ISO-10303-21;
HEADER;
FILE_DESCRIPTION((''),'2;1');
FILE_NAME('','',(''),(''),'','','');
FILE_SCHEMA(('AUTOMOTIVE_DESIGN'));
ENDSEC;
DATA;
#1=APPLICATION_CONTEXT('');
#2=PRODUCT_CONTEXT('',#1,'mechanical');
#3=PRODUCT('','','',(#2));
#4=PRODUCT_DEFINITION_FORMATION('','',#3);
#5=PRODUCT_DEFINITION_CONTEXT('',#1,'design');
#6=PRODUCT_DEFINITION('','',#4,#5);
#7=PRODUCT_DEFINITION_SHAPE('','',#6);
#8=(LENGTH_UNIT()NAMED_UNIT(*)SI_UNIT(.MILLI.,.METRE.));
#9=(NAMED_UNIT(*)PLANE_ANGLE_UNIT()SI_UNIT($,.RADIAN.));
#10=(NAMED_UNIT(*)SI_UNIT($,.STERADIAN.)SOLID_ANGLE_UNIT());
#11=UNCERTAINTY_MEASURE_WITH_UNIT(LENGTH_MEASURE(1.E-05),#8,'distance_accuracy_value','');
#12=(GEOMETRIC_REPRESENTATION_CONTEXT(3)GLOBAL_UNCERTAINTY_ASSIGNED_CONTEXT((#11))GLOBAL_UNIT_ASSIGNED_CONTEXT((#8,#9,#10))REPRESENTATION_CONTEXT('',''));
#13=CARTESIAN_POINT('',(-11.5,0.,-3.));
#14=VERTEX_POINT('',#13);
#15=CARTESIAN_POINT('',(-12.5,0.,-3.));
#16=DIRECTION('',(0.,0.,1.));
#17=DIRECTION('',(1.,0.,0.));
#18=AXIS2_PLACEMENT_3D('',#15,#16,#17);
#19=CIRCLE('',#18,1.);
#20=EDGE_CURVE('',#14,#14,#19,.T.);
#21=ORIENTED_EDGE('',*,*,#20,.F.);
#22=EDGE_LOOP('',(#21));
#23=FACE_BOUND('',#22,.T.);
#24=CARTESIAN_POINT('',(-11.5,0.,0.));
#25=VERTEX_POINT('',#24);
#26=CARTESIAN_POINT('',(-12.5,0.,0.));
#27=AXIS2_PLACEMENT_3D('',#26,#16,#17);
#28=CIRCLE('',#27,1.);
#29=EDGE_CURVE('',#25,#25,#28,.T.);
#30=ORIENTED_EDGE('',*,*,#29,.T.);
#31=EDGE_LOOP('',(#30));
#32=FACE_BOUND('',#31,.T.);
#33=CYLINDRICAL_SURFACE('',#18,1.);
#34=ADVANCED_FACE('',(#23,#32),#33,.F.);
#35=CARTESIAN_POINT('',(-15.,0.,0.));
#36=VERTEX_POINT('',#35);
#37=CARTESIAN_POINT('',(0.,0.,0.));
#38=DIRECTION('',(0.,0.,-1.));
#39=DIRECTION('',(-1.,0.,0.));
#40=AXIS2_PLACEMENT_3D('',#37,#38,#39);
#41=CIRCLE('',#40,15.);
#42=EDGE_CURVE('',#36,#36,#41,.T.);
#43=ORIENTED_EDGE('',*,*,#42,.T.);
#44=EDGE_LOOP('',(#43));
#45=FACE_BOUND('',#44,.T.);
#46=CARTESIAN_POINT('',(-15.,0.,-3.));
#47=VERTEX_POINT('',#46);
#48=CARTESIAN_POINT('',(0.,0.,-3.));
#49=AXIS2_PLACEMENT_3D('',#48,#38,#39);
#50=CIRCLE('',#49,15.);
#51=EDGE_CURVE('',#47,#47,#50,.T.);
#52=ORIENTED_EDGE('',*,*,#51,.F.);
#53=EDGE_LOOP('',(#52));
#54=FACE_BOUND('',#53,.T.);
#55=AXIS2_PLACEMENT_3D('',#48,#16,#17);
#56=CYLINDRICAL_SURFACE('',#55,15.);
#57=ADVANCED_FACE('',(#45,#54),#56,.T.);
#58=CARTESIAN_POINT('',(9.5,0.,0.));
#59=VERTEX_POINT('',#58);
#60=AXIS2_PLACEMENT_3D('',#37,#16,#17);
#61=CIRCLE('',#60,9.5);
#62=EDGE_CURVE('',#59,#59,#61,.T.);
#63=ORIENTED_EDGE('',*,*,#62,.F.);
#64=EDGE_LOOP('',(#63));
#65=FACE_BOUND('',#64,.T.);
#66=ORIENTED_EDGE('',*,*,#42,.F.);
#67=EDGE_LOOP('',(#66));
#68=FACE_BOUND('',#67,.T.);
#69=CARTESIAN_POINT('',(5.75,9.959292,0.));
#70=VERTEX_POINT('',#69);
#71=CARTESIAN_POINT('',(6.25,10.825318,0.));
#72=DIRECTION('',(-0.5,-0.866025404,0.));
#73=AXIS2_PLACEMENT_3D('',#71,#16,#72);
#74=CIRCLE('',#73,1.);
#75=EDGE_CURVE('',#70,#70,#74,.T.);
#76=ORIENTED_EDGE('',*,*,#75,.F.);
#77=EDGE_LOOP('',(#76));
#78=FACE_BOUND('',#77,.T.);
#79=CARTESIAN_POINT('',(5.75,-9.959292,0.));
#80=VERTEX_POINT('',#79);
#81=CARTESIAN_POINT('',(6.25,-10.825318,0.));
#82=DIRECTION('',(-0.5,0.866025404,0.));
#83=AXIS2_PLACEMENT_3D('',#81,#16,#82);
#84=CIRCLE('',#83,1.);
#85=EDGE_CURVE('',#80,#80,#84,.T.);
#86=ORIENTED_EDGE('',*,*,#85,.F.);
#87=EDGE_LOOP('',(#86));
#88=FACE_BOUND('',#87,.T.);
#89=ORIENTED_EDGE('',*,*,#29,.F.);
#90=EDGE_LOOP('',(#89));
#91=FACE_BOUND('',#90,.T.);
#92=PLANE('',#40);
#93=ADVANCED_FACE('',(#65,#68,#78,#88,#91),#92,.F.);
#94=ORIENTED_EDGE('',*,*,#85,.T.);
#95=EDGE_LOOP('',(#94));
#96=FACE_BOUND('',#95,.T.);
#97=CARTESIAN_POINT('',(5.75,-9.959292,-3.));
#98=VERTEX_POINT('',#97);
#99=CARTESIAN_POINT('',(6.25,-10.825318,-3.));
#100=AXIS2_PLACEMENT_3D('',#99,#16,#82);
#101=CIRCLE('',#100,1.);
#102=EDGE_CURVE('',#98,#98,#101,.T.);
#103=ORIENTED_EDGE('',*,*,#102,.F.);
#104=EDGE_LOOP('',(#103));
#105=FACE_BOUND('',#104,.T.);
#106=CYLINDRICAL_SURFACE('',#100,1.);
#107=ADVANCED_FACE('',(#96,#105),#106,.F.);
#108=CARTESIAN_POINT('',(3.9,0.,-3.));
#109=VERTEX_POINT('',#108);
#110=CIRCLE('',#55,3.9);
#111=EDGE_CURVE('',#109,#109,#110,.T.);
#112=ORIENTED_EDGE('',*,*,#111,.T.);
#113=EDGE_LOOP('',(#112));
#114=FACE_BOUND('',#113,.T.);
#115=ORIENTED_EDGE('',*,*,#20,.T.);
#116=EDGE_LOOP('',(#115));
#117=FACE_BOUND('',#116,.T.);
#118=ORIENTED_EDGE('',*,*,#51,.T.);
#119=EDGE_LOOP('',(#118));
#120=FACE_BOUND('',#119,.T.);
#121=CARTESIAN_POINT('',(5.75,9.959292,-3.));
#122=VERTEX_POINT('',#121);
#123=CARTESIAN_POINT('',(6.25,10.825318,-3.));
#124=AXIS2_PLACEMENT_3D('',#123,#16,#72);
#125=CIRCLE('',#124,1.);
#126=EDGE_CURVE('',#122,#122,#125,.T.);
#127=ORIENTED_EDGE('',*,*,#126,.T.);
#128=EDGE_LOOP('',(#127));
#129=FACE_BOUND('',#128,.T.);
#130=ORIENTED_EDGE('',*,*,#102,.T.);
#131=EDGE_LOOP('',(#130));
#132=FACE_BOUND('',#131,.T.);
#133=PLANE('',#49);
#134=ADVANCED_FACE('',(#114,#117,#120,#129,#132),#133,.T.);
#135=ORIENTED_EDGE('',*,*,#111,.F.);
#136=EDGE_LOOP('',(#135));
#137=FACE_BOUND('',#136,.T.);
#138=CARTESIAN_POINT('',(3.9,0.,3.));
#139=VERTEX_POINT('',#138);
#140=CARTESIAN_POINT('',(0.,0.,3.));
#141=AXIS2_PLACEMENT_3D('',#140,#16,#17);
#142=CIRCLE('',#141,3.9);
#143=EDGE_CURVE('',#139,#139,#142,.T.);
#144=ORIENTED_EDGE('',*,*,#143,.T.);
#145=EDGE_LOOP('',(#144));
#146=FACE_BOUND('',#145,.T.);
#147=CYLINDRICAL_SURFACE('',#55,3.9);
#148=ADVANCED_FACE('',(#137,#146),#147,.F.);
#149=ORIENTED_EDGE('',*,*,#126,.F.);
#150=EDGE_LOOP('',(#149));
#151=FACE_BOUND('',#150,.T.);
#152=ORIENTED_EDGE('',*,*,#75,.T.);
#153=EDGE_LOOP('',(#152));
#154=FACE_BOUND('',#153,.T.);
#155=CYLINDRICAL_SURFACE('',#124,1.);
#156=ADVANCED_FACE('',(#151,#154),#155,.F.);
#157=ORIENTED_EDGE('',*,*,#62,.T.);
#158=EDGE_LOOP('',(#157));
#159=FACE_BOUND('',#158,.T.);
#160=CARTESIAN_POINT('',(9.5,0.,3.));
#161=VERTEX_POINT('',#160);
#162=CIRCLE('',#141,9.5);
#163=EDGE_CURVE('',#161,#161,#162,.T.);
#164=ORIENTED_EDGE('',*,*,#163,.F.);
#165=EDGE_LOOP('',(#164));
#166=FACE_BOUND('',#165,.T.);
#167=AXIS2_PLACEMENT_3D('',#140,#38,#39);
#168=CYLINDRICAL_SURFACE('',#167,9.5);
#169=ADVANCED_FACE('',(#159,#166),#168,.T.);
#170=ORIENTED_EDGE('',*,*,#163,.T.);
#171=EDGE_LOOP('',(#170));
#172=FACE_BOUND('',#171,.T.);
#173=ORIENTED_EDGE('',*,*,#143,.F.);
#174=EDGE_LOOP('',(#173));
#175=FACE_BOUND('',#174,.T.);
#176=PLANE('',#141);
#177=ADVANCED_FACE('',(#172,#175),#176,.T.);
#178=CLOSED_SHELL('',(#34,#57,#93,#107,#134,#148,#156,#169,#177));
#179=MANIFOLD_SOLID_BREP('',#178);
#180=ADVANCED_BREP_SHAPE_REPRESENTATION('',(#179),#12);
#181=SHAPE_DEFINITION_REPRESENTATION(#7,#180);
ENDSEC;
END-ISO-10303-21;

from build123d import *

# Parameters (mm, degrees)
SKETCH_1_R               = 9.5
EXTRUDE_1_DEPTH          = 3
SKETCH_2_R               = 15
EXTRUDE_2_DEPTH          = 3
SKETCH_3_R               = 3.9
CUT_EXTRUDE_3_DEPTH      = 23.045407685
SKETCH_4_R               = 1
CUT_EXTRUDE_4_DEPTH      = 22.424285286
PATTERN_CIRCULAR_1_COUNT = 3


with BuildPart() as part:
    # Эскиз1 → Бобышка-Вытянуть1 (new body)
    with BuildSketch(Plane.XY):
        Circle(SKETCH_1_R)
    extrude(amount=EXTRUDE_1_DEPTH)

    # Эскиз2 → Бобышка-Вытянуть2 (add)
    with BuildSketch(Plane(origin=(0, 0, 0), x_dir=(-1, 0, 0), z_dir=(0, 0, -1))):
        Circle(SKETCH_2_R)
    extrude(amount=EXTRUDE_2_DEPTH)

    # Эскиз3 → Вырез-Вытянуть3 (cut, through all)
    with BuildSketch(Plane.XY.offset(3)):
        Circle(SKETCH_3_R)
    extrude(amount=-CUT_EXTRUDE_3_DEPTH, mode=Mode.SUBTRACT)

    # Эскиз4 → Вырез-Вытянуть4 (cut, through all)
    with BuildSketch(Plane.XY):
        with Locations((-12.5, 0)):
            Circle(SKETCH_4_R)
    cut_extrude_4 = extrude(amount=-CUT_EXTRUDE_4_DEPTH, mode=Mode.SUBTRACT)

    # Круговой массив1: Вырез-Вытянуть4 ×3 about axis
    pattern_circular_1_axis = Axis((0, 0, 0), (0, 0, 1))
    for i in range(1, PATTERN_CIRCULAR_1_COUNT):
        add(cut_extrude_4.rotate(pattern_circular_1_axis, i * 360 / PATTERN_CIRCULAR_1_COUNT), mode=Mode.SUBTRACT)


solid = part.part
